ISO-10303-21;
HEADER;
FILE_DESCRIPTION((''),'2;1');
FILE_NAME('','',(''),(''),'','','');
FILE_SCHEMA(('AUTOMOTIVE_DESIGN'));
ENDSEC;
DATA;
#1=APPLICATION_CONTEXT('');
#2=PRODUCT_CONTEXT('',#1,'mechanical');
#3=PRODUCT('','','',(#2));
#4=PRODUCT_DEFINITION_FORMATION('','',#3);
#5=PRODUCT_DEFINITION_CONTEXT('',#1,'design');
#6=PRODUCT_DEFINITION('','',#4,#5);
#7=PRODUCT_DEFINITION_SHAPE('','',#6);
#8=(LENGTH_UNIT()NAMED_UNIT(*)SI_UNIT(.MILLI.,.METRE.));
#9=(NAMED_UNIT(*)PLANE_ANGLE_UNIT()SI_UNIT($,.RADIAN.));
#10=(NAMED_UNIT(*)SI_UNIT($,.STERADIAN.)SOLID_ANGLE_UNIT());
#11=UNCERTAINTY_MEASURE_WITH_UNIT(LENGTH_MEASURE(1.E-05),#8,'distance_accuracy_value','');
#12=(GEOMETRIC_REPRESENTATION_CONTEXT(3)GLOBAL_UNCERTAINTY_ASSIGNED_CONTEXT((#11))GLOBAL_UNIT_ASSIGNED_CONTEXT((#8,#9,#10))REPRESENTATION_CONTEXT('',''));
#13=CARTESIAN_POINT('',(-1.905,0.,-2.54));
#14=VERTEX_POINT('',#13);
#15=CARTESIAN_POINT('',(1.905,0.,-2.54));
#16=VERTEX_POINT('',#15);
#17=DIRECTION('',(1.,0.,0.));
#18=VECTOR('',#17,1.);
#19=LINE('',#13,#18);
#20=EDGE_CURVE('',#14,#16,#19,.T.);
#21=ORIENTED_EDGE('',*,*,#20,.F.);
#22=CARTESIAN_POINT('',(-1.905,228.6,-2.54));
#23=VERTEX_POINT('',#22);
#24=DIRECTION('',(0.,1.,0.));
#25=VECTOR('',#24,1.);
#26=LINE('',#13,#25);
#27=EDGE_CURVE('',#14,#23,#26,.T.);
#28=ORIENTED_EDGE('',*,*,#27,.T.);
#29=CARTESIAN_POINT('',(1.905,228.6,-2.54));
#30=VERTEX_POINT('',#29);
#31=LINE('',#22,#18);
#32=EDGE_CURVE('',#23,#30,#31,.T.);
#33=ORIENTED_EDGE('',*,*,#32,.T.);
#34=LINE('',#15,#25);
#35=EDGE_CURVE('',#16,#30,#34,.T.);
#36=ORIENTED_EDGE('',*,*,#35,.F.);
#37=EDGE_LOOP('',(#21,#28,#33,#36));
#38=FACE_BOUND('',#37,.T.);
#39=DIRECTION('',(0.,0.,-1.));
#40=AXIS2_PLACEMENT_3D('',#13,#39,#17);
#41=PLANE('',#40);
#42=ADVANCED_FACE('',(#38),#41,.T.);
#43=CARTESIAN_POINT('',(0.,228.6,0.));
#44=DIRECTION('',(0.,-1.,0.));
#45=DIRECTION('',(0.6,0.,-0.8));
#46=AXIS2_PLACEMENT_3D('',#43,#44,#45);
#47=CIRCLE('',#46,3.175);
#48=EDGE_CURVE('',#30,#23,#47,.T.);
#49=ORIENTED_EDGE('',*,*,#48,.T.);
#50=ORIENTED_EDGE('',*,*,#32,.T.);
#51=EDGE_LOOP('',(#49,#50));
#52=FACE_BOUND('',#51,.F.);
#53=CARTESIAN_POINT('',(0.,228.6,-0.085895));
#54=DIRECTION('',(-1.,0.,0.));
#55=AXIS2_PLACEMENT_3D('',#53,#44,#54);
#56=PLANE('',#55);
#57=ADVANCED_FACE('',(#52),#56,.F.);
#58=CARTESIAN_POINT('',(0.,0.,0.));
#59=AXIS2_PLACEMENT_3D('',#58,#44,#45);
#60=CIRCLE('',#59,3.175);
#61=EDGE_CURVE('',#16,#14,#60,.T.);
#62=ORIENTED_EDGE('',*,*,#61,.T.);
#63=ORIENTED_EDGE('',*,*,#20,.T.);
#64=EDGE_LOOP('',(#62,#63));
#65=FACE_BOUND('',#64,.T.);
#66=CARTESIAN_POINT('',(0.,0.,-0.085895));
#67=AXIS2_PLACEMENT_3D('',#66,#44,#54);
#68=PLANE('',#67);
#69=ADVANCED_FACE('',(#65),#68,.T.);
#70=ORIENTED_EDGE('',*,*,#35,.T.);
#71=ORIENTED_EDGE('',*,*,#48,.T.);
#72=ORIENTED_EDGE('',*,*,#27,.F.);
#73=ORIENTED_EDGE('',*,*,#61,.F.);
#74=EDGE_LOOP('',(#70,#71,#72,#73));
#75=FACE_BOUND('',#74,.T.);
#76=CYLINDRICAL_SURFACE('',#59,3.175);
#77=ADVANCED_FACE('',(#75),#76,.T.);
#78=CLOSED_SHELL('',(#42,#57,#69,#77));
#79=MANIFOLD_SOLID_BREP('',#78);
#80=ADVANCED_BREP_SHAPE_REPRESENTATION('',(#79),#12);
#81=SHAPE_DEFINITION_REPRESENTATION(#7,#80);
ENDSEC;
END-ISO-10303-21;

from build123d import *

# Parameters (mm, degrees)
BOSS_EXTRUDE1_DEPTH = 228.6


with BuildPart() as part:
    # Sketch1 → Boss-Extrude1 (new body)
    with BuildSketch(Plane(origin=(0, 0, 0), x_dir=(1, 0, 0), z_dir=(0, 1, 0))):
        with BuildLine():
            Line((-1.905, 2.54), (1.905, 2.54))
            ThreePointArc((1.905, 2.54), (0, -3.175), (-1.905, 2.54))
        make_face()
    extrude(amount=BOSS_EXTRUDE1_DEPTH)


solid = part.part
